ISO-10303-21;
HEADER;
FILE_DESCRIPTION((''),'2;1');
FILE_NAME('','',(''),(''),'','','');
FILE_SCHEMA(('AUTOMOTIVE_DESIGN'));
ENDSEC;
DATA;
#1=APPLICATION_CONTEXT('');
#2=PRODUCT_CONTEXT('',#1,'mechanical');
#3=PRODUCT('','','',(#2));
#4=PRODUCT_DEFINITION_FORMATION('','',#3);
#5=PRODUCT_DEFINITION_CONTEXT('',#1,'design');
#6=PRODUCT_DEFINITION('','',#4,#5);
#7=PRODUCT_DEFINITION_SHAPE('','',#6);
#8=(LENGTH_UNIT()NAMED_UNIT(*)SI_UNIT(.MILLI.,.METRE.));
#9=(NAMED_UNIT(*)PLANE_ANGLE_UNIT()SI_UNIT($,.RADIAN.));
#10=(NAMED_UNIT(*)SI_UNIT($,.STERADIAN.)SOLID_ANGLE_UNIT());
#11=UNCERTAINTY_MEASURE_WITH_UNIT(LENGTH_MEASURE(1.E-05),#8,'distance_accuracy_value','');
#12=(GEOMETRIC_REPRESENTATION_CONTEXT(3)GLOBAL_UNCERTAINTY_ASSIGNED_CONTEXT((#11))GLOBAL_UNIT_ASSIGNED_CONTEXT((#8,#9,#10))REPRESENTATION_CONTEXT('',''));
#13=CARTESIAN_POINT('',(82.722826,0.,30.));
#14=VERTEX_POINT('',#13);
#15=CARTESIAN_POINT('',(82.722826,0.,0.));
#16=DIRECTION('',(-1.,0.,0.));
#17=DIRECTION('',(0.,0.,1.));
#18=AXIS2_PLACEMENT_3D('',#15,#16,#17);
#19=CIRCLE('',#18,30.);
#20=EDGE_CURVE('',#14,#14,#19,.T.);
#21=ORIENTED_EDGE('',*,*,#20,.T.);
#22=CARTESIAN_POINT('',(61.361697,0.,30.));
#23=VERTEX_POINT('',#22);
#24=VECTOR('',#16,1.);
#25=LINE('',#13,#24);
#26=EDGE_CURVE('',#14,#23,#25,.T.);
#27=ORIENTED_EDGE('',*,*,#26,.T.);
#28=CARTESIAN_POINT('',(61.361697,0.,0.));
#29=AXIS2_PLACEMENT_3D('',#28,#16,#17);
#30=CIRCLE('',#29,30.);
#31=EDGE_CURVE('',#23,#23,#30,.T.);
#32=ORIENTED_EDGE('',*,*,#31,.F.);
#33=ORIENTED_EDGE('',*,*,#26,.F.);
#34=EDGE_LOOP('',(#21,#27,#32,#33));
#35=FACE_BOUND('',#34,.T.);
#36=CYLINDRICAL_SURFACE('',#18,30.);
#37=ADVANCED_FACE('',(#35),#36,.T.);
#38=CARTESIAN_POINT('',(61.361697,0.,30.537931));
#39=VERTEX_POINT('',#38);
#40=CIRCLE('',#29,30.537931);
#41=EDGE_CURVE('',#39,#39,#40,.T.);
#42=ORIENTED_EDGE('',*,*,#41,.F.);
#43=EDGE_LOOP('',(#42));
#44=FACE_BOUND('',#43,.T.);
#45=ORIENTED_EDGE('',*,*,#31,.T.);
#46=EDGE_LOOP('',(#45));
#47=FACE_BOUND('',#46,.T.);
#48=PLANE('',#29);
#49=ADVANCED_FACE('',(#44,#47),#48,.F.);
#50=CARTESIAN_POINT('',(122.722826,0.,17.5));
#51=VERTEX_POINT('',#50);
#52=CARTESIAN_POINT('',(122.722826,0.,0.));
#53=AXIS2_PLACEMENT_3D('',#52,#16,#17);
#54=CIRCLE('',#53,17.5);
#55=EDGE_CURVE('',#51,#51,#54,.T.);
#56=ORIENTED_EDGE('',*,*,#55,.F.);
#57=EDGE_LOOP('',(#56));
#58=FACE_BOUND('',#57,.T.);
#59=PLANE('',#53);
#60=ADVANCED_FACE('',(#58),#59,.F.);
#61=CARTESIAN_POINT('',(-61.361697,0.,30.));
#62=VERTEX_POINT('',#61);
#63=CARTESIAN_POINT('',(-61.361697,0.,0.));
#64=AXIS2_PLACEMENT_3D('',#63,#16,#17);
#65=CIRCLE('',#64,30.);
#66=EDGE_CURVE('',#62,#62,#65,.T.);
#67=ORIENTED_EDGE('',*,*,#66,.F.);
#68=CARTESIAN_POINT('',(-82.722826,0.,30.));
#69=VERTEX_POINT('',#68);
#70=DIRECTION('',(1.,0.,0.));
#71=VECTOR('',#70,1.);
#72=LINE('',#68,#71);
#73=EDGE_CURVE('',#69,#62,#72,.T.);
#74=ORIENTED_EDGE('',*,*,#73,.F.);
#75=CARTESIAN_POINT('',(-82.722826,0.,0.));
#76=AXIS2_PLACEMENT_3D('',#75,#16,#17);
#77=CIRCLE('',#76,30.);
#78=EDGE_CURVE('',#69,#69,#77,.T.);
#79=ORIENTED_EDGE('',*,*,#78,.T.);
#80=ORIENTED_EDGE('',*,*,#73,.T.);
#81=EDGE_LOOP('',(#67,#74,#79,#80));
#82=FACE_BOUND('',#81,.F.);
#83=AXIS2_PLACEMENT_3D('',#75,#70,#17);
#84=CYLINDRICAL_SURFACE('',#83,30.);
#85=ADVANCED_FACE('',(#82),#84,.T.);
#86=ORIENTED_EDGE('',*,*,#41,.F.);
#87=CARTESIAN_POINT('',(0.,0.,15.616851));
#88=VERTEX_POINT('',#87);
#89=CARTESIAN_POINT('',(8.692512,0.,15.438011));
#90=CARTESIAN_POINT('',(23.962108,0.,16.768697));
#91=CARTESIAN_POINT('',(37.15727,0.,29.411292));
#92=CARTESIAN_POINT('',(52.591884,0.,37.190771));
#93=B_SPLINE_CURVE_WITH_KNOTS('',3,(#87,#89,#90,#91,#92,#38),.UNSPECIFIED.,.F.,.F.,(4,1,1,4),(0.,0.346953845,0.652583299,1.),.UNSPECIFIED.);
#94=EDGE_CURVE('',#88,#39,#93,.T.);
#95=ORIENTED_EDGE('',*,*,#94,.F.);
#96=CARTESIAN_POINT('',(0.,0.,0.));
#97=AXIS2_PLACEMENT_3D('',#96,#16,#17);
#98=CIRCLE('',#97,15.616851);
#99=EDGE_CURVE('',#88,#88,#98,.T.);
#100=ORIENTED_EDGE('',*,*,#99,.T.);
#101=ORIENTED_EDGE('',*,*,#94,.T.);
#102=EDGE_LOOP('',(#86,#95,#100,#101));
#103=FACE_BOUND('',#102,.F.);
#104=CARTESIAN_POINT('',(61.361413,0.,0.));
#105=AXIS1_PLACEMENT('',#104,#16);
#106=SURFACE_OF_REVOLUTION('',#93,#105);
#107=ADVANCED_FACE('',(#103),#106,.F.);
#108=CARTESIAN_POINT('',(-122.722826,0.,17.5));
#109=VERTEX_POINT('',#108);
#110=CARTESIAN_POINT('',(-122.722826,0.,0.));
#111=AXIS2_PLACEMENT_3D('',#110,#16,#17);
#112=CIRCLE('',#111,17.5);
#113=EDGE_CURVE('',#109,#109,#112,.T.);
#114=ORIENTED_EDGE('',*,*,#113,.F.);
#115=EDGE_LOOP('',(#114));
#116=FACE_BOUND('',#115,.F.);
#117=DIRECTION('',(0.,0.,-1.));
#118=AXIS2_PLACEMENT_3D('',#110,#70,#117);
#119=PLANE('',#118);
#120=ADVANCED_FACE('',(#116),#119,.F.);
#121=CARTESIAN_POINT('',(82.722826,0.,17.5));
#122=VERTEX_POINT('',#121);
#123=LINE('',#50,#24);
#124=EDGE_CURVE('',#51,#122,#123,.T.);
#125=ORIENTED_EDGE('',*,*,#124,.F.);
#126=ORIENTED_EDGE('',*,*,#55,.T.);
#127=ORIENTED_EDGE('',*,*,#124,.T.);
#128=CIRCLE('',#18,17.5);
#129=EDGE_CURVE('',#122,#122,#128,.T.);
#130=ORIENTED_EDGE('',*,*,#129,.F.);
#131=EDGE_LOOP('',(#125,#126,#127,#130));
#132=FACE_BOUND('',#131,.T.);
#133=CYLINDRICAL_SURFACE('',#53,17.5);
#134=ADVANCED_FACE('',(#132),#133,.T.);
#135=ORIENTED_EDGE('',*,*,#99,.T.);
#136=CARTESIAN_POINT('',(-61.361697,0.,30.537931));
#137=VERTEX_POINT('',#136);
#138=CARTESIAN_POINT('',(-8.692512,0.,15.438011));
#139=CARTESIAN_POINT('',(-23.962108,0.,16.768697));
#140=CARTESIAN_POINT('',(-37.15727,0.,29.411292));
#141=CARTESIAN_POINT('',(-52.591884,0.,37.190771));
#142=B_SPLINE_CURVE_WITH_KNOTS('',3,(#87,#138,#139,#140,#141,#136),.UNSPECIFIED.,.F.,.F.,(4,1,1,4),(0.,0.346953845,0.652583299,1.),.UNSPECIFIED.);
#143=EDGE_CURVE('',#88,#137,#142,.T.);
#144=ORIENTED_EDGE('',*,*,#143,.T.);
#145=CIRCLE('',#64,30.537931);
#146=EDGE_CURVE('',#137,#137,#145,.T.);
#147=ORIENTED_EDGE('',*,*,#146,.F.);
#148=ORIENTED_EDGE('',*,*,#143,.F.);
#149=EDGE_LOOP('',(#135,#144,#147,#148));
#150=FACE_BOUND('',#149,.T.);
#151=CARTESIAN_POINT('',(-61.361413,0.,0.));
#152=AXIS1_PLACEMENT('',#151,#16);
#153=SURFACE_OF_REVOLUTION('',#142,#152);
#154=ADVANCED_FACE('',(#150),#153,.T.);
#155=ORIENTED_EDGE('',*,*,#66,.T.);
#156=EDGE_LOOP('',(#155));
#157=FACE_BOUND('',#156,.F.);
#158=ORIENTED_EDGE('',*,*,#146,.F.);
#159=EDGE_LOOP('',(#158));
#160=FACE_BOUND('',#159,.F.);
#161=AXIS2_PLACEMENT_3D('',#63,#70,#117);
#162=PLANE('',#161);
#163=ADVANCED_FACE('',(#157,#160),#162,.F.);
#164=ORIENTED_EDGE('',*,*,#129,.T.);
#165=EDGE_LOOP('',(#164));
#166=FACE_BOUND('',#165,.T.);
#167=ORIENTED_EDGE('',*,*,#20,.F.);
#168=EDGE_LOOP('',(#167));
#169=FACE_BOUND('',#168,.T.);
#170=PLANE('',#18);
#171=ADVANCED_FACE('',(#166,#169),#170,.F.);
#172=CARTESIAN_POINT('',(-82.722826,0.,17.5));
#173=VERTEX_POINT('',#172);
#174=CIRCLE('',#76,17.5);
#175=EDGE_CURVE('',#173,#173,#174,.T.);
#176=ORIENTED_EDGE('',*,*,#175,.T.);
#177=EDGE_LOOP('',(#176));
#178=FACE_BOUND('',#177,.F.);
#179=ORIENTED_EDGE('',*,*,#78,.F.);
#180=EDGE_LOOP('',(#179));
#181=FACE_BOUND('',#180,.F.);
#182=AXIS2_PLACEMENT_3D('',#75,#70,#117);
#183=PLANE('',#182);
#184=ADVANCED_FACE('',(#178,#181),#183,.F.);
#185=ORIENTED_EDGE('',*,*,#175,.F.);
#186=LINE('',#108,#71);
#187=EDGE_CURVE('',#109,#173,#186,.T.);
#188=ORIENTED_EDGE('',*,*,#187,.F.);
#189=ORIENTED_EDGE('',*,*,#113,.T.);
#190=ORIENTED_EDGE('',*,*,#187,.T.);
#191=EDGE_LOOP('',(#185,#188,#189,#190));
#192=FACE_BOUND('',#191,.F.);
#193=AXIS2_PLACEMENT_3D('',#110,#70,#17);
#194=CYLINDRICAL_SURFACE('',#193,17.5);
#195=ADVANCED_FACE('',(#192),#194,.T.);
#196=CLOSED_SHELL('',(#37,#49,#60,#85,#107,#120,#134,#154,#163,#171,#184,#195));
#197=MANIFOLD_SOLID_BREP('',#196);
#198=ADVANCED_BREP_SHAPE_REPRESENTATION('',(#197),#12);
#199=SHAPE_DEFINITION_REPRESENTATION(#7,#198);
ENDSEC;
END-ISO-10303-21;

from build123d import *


with BuildPart() as f1:
    # F0 (on Front) → F1 (revolve)
    with BuildSketch(Plane.XZ):
        with BuildLine():
            Line((0, 15.6168507108), (0, 0))
            Line((0, 0), (122.722825751, 0))
            Line((122.722825751, 0), (122.722825751, 17.5))
            Line((122.722825751, 17.5), (82.722825751, 17.5))
            Line((82.722825751, 17.5), (82.722825751, 30))
            Line((82.722825751, 30), (61.3616965711, 30))
            Line((61.3616965711, 30), (61.3616965711, 30.5379312485))
            add(Edge.make_bspline(
                [(0, 15.6168507108), (8.6925121358, 15.4380108694), (23.9621084498, 16.768696765), (37.1572704312, 29.4112922637), (52.5918843675, 37.1907705526), (61.3616965711, 30.5379312485)],
                knots=[0, 0, 0, 0, 0.346953845, 0.6525832988, 1, 1, 1, 1], degree=3))
        make_face()
    revolve(axis=Axis((61.3614128755, 0, 0), (-1, 0, 0)))

    # F2: F1 across face


with BuildPart() as f1_1:
    add(f1.part)
    add(f1.part.mirror(Plane(origin=(0, 0, 0), x_dir=(0, -1, 0), z_dir=(-1, 0, 0))))


solid = f1_1.part
